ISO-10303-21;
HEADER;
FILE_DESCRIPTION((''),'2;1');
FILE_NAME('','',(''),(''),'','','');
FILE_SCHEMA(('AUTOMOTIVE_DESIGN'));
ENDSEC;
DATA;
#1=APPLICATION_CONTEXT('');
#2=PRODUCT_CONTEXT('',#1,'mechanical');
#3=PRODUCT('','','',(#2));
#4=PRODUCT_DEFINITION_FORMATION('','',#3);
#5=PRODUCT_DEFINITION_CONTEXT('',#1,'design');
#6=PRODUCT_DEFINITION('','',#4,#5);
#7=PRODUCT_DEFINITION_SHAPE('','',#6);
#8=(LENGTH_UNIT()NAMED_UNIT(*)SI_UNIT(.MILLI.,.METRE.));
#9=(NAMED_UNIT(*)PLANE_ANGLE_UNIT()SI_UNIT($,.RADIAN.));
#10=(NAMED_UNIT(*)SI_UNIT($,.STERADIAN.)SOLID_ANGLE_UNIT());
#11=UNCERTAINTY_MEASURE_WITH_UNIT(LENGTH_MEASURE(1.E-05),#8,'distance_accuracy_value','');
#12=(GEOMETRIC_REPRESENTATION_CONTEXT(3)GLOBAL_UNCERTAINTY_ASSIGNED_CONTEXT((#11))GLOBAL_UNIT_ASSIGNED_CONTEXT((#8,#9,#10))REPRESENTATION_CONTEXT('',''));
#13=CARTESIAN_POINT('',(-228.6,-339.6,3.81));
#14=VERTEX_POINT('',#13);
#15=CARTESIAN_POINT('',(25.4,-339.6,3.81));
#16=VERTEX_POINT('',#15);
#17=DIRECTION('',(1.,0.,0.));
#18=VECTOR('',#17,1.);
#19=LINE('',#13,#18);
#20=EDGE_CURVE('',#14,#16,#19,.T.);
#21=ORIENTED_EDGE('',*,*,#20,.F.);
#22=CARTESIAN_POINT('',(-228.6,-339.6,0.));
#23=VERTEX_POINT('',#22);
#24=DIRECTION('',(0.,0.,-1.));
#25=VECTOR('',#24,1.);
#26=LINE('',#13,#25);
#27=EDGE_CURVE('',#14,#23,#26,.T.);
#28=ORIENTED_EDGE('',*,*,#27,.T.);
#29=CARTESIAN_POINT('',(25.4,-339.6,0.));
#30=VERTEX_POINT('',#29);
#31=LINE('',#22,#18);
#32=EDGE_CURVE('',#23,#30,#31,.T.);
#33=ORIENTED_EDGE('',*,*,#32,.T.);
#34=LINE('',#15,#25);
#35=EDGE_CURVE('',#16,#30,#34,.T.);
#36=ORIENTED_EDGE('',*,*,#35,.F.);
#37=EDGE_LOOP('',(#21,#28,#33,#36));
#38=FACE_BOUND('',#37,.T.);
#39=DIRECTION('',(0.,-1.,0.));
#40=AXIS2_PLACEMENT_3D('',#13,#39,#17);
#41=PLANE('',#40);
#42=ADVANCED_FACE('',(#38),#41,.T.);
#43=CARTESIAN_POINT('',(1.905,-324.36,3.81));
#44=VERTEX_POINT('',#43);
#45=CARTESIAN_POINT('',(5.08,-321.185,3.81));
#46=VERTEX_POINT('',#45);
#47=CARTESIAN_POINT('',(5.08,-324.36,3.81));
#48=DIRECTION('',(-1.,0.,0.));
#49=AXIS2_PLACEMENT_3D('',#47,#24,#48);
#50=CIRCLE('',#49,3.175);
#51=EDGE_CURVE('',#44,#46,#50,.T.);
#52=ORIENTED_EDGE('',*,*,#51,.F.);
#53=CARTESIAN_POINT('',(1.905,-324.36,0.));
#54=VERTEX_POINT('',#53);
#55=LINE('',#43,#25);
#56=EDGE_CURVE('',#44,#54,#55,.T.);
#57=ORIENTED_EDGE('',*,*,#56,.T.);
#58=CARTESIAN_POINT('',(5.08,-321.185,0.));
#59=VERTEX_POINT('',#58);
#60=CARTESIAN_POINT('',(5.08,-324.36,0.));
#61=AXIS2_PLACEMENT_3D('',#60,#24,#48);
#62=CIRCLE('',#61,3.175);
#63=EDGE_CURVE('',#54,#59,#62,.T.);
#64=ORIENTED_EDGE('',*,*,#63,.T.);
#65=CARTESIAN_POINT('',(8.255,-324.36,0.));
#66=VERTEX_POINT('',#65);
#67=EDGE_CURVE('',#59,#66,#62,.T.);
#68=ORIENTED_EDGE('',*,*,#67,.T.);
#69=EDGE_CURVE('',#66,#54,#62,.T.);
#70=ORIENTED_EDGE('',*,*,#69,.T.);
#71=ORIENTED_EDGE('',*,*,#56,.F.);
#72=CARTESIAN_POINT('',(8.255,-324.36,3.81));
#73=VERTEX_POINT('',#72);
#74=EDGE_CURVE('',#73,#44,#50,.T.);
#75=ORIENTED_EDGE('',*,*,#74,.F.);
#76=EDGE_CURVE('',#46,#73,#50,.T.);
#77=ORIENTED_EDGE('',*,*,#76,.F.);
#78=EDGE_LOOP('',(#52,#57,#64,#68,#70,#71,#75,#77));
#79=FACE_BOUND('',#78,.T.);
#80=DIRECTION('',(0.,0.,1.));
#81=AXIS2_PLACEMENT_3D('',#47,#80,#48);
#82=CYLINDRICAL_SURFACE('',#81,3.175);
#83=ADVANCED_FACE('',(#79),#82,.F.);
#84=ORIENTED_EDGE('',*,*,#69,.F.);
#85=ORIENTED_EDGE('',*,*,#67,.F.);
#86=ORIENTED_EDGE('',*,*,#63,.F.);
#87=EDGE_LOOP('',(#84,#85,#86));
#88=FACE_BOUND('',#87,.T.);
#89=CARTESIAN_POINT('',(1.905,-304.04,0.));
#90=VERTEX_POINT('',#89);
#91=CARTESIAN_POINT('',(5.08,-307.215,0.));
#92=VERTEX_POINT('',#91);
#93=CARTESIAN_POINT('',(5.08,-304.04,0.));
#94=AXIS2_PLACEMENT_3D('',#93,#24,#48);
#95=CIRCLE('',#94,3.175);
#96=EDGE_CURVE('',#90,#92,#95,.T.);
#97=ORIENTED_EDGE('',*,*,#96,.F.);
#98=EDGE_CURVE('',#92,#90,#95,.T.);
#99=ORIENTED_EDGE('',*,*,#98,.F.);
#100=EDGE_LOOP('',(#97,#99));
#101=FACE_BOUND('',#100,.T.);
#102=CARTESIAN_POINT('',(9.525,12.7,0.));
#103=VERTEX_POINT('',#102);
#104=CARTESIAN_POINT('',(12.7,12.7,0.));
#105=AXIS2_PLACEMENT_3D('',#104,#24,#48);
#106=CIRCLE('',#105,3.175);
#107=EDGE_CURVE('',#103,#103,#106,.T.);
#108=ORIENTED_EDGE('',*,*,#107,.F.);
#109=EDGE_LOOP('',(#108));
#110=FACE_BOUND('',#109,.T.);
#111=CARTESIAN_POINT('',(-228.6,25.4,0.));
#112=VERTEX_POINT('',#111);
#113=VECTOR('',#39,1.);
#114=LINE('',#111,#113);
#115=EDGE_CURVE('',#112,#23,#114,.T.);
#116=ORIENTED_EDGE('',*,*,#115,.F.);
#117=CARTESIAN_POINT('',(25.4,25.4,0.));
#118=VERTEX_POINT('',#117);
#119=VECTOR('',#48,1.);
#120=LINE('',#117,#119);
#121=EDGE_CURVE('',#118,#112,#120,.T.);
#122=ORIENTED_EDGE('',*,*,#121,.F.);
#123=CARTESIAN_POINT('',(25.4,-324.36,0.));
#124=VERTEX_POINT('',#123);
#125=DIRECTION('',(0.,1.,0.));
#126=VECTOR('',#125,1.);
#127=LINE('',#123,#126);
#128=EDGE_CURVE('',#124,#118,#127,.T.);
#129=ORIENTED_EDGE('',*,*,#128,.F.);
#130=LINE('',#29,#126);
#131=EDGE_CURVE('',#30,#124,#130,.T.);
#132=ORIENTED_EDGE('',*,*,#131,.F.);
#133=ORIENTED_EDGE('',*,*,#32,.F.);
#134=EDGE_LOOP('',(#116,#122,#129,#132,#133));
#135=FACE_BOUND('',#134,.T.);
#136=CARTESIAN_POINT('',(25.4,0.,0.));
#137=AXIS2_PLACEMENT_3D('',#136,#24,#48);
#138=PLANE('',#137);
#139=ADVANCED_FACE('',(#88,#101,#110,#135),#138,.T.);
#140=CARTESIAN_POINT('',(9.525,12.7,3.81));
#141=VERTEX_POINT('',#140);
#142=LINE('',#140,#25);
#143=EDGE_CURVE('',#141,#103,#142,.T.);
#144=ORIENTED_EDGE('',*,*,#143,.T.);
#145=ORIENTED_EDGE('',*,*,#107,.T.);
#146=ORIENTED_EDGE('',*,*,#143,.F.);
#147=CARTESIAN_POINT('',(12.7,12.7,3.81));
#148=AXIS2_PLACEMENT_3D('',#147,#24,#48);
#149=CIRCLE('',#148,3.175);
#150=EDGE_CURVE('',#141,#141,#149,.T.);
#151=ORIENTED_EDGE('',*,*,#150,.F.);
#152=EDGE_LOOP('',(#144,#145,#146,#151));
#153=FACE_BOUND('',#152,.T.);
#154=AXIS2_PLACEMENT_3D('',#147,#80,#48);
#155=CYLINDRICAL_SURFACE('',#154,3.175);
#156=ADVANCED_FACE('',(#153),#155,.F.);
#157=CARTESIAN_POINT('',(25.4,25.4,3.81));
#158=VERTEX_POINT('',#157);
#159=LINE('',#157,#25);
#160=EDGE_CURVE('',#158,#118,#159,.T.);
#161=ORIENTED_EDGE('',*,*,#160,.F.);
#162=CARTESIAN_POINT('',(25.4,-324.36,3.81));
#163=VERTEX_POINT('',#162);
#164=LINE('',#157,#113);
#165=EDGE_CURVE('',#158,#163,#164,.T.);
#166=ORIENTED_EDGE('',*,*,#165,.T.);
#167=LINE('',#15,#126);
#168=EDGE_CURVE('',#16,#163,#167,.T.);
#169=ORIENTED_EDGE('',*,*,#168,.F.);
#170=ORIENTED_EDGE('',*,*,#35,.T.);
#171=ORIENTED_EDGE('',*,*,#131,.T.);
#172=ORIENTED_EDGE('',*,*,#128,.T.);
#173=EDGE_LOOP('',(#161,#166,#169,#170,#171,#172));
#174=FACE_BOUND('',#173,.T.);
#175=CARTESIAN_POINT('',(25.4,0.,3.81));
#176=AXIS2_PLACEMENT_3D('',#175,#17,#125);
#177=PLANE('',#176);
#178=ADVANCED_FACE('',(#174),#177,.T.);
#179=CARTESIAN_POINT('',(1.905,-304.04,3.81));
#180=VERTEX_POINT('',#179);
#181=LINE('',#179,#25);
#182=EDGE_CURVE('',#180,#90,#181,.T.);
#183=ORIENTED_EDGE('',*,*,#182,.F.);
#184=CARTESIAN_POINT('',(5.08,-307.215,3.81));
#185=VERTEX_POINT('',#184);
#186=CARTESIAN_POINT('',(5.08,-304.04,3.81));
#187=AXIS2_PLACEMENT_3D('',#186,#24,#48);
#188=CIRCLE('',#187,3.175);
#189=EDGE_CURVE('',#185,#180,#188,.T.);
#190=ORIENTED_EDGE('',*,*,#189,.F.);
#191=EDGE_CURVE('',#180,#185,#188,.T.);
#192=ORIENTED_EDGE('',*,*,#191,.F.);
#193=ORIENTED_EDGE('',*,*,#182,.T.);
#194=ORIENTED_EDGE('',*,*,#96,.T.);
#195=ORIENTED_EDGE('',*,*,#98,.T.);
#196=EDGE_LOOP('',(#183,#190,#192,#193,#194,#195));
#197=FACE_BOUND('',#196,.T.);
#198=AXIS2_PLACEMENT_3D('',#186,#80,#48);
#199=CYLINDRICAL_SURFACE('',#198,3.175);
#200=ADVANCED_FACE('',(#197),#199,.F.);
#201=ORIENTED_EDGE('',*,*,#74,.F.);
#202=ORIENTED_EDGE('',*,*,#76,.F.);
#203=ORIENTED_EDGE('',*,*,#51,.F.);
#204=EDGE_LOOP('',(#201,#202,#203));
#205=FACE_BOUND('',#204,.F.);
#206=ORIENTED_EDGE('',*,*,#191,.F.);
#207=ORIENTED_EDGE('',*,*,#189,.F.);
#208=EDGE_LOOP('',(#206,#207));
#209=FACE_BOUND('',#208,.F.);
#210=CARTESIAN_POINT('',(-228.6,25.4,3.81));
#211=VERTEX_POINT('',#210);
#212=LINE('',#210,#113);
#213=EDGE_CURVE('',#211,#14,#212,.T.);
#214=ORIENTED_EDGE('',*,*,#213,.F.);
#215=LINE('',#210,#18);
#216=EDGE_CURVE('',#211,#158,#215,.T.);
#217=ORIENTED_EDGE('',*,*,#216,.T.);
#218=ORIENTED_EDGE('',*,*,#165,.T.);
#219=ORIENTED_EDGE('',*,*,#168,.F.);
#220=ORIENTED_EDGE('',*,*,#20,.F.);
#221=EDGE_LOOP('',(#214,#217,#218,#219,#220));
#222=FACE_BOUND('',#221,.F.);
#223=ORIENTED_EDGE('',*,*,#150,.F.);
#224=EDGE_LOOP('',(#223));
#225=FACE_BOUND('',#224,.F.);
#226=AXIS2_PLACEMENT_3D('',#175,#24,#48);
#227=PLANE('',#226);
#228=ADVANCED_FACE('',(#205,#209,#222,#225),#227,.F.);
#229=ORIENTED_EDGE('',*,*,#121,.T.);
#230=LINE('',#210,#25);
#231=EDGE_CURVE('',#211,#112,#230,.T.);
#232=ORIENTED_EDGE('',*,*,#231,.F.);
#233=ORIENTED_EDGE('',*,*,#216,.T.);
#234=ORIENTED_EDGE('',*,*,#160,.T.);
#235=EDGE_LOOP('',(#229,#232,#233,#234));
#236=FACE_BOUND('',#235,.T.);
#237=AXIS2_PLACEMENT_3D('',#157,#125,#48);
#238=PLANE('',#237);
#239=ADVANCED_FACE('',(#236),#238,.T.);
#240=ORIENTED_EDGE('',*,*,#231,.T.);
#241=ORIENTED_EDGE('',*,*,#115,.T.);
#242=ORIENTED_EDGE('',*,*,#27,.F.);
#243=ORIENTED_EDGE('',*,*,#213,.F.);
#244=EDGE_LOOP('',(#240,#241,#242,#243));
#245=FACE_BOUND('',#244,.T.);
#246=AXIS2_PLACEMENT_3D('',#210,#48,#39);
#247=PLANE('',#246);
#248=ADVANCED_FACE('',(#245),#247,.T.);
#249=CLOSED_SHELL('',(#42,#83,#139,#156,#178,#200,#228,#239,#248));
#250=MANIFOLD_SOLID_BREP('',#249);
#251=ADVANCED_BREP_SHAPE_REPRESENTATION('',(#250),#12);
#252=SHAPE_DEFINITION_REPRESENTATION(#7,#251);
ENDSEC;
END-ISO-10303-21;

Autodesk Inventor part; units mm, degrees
ref_plane "YZ Plane" through (0, 0, 0) normal (1, 0, 0) x (0, 1, 0)
ref_plane "XZ Plane" through (0, 0, 0) normal (0, 1, 0) x (-1, 0, 0)
ref_plane "Work Plane1" through (25.4, 0, 3.81) normal (0, 0, -1) x (-1, 0, 0)
sketch "Sketch1" plane through (25.4, 0, 3.81) normal (0, 0, -1) x (-1, 0, 0)
  circle A0 centre (12.7, 12.7) radius 3.175 projected
  line L0 (0, 0) -> (25.4895, 0) projected
  line L1 (25.4895, 25.4) -> (25.4895, 0) projected
  line L2 (0, 25.4) -> (25.4895, 25.4) projected
  line L3 (0, 0) -> (0, 25.4) projected
  line L4 (0, 25.4) -> (254, 25.4)
  line L5 (254, 25.4) -> (254, -339.6)
  line L6 (254, -339.6) -> (0, -339.6)
  line L7 (0, -339.6) -> (0, 25.4)
  line L8 (0, -339.6) -> (0, -324.36)
  line L9 (0, -324.36) -> (20.32, -324.36)
  line L10 (20.32, -324.36) -> (20.32, -304.04)
  circle A1 centre (20.32, -324.36) radius 3.175
  circle A2 centre (20.32, -304.04) radius 3.175
  point P0 (25.4, 0)
  dimension "d0" = 254
  dimension "d1" = 365
  dimension "d2" = 15.24
  dimension "d3" = 20.32
  dimension "d4" = 20.32
  dimension "d5" = 6.35
  dimension "d6" = 6.35
ref_plane "Work Plane2" through (0, -340.36, 0) normal (0, 0, 1) x (1, 0, 0)
extrude "Extrusion1" add sketch "Sketch1" along normal up to surface (3.81 mm away)
properties part number "Side Panel"
